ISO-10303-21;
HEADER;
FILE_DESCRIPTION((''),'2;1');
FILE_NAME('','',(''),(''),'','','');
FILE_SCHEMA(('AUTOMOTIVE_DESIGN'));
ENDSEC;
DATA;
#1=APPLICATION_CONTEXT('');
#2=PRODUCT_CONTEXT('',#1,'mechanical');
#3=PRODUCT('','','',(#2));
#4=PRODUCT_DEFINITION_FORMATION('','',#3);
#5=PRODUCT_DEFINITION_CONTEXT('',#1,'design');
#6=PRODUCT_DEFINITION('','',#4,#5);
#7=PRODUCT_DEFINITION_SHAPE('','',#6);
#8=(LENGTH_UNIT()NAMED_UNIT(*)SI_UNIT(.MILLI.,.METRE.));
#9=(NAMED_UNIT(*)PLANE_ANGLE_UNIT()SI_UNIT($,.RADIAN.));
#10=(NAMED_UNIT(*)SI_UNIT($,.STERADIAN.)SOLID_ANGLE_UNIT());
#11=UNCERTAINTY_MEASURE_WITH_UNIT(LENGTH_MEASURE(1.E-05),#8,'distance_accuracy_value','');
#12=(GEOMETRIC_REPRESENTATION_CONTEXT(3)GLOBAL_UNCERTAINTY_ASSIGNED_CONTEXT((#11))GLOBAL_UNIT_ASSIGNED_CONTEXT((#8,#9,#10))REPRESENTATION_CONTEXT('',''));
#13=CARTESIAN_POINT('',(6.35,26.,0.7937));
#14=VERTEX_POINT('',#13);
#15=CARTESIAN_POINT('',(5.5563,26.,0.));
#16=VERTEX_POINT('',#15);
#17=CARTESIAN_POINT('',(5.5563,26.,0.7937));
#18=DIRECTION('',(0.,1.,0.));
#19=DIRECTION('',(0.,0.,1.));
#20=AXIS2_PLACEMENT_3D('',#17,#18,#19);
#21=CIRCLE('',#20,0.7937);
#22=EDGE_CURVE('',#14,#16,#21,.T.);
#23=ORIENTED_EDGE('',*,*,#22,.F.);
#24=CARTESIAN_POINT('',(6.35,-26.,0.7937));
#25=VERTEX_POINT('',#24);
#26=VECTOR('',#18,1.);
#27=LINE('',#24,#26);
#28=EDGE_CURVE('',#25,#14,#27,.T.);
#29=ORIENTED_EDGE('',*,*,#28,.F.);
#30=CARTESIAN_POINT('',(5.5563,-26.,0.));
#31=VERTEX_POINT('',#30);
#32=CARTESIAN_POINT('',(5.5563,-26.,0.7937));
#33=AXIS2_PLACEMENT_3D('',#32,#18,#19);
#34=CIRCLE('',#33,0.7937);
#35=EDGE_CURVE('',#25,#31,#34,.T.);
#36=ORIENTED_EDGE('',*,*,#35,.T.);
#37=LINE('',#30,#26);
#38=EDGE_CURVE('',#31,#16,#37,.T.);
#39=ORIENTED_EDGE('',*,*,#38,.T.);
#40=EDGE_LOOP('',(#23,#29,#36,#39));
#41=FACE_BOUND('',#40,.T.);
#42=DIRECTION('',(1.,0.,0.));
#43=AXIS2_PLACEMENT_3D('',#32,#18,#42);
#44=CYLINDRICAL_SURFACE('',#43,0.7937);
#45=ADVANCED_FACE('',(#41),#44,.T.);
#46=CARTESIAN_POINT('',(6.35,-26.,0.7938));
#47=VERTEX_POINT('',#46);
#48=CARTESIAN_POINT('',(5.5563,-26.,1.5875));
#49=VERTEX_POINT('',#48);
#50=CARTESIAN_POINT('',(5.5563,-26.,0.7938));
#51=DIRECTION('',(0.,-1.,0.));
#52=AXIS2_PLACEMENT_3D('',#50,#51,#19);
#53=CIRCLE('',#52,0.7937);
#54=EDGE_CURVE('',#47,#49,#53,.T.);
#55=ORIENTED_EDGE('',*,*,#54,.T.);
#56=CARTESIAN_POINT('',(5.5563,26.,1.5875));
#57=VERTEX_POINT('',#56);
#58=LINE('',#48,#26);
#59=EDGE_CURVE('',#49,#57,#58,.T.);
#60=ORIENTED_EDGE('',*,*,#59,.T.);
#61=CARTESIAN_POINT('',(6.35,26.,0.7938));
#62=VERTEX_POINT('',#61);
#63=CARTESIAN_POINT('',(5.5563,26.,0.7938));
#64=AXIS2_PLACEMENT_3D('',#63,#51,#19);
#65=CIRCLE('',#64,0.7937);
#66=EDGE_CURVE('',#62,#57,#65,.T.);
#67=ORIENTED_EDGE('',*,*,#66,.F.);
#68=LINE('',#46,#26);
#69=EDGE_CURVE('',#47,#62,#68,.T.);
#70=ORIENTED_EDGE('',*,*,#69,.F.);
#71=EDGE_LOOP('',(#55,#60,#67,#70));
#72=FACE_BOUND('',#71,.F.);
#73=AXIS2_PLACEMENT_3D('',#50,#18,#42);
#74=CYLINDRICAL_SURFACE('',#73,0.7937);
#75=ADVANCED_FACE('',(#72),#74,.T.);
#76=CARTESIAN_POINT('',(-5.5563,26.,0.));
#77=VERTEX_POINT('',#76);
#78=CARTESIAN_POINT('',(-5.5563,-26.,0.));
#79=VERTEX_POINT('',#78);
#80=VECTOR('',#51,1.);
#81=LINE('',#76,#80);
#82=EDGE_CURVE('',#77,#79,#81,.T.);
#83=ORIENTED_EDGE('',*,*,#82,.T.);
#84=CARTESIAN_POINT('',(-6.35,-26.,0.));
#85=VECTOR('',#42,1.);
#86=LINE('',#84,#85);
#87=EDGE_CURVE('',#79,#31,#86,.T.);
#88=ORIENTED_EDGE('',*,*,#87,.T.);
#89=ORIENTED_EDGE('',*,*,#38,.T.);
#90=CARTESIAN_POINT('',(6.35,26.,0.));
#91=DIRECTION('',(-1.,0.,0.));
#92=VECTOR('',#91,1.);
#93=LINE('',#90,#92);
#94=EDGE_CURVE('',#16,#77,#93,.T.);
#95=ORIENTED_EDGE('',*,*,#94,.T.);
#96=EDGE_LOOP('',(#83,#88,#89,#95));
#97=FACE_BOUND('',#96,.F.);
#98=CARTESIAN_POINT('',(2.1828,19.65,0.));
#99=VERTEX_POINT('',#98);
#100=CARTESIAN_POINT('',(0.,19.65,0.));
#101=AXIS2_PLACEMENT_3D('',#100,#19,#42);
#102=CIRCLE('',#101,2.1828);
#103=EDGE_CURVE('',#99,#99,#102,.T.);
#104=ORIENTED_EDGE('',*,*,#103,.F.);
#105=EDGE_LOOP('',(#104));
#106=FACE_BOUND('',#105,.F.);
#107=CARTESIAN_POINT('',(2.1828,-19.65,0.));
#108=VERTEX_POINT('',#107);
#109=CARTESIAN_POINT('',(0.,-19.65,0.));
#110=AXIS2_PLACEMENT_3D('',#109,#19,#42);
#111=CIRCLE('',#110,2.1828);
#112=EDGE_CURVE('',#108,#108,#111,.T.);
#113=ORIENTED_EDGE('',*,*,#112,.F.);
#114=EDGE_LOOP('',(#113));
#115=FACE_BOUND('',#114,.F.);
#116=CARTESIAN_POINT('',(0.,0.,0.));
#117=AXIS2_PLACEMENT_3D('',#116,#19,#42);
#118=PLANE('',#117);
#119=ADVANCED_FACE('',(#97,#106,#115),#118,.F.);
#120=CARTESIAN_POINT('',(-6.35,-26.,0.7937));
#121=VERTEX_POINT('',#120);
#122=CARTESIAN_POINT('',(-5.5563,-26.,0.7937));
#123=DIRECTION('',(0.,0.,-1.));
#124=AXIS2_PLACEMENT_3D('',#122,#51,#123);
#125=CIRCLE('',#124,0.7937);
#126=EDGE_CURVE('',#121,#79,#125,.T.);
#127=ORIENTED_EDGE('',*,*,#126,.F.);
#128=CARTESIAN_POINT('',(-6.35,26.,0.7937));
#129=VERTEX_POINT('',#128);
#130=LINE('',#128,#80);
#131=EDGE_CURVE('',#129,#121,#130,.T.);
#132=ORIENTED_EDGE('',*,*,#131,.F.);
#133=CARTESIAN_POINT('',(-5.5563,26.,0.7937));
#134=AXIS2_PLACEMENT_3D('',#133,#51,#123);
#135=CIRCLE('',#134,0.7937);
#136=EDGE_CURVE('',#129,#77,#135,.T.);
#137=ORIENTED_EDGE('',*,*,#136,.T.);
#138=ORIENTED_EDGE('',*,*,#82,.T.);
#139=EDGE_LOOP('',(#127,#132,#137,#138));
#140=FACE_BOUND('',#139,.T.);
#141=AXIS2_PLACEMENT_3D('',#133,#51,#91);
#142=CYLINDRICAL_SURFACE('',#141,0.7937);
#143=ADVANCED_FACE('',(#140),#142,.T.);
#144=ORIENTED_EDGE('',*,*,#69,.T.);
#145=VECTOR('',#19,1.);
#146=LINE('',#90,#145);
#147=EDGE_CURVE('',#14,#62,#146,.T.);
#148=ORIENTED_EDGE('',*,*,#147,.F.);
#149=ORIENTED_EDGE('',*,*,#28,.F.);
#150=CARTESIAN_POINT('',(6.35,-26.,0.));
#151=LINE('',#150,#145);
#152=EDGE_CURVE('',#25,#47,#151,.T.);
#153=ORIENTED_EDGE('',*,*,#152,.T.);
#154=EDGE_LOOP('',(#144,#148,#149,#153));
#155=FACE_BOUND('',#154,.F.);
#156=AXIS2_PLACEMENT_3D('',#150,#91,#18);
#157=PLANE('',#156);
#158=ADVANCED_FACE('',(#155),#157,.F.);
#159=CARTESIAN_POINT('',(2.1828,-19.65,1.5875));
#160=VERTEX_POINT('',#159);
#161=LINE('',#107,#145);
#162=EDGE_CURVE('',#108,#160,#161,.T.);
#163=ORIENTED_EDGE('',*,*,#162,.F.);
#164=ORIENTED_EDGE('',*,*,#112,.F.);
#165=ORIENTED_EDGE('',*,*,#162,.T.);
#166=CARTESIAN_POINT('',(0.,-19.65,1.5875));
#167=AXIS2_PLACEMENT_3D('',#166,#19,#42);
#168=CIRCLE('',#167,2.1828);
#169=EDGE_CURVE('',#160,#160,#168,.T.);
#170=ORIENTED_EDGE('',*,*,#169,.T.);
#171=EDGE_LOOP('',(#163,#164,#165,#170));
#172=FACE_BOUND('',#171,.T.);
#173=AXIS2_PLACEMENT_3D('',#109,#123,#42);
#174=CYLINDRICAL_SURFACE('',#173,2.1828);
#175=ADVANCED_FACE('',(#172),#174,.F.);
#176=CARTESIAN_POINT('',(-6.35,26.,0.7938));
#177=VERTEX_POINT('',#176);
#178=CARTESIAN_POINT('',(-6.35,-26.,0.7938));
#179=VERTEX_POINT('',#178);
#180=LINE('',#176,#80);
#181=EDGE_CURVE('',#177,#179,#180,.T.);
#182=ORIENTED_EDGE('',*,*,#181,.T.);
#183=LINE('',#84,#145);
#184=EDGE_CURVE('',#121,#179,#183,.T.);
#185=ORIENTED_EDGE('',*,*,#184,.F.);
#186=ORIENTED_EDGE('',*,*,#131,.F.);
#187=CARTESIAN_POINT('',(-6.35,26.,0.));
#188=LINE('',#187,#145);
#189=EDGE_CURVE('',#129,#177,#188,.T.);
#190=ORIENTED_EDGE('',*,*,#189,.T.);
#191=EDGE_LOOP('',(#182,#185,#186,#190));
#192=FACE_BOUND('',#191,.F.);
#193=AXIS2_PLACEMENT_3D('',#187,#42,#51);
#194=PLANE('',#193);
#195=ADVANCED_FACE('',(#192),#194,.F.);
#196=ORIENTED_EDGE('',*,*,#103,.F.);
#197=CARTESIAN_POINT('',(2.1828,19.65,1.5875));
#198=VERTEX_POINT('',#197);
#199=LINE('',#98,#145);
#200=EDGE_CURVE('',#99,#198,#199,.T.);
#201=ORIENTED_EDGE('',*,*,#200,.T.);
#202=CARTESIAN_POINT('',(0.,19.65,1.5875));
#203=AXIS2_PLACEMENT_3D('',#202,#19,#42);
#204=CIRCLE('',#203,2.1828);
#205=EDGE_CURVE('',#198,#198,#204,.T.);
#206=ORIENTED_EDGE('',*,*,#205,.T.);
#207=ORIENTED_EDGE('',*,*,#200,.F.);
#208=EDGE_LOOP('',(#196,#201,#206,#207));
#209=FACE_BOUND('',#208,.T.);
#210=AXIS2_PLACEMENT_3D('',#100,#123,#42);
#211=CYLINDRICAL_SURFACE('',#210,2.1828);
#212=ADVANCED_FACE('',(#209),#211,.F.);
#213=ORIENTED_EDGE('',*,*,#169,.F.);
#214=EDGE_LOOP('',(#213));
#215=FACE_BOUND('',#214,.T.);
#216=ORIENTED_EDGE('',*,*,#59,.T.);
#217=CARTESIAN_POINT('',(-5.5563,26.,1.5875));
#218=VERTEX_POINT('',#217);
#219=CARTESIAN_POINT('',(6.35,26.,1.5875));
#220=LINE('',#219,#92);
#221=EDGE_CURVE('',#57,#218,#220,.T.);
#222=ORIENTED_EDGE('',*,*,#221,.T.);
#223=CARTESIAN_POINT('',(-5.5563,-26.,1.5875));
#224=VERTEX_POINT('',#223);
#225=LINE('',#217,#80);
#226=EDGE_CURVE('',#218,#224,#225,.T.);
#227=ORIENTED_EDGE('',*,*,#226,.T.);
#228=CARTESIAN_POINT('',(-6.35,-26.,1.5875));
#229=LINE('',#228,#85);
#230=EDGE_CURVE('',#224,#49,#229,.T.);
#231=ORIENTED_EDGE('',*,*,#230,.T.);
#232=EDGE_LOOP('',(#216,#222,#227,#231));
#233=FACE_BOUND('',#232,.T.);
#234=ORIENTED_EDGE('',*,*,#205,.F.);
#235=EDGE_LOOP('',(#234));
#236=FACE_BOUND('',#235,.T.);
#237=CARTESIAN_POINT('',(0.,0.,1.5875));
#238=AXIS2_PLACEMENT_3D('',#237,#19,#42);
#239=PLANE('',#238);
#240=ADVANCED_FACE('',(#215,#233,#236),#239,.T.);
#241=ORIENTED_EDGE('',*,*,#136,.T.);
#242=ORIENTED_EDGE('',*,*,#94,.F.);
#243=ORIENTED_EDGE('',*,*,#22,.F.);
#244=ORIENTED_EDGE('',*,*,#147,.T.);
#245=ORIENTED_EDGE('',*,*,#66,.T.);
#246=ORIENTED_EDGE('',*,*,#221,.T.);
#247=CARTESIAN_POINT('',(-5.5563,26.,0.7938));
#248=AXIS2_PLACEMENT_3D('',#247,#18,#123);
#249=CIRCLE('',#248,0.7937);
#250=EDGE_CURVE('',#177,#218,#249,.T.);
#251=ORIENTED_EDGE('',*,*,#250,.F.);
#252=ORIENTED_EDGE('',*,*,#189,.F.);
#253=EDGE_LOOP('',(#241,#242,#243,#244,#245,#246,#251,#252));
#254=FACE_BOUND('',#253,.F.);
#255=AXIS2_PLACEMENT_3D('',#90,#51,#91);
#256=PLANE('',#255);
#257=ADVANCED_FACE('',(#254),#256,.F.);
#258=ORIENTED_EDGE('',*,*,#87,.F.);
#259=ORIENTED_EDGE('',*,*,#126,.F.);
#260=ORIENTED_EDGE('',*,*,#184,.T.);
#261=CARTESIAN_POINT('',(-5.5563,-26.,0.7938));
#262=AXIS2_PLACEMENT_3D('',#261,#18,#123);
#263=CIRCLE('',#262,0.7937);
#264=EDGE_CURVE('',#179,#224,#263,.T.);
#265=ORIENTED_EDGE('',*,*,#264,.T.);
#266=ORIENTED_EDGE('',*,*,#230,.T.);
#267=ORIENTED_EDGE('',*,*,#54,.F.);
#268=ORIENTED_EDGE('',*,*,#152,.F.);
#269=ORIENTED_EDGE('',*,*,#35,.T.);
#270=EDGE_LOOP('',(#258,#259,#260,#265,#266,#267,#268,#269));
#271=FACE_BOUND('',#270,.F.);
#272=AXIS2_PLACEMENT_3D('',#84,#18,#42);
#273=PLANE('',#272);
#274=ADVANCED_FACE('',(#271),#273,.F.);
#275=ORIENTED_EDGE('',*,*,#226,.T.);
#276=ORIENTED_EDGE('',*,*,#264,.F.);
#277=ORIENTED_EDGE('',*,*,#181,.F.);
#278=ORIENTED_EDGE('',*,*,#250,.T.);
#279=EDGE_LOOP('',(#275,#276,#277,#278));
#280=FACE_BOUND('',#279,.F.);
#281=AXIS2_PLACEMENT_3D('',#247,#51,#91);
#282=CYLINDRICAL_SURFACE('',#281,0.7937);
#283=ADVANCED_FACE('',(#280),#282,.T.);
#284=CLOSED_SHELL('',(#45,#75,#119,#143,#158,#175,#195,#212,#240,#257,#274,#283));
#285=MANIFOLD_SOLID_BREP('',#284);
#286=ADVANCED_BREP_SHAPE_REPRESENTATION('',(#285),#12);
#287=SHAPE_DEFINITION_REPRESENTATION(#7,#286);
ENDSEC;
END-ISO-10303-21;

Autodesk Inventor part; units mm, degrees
ref_plane "YZ Plane" through (0, 0, 0) normal (1, 0, 0) x (0, 1, 0)
ref_plane "XZ Plane" through (0, 0, 0) normal (0, 1, 0) x (-1, 0, 0)
ref_plane "XY Plane" through (0, 0, 0) normal (0, 0, 1) x (1, 0, 0)
sketch "Sketch1" plane through (0, 0, 0) normal (0, 0, 1) x (1, 0, 0)
  circle A0 centre (0, 19.65) radius 2.1828
  circle A1 centre (0, -19.65) radius 2.1828
  line L0 (-6.35, -26) -> (6.35, -26)
  line L1 (6.35, -26) -> (6.35, 26)
  line L2 (6.35, 26) -> (-6.35, 26)
  line L3 (-6.35, 26) -> (-6.35, -26)
  line L4 (-6.35, -26) -> (6.35, 26) construction
  line L5 (6.35, -26) -> (-6.35, 26) construction
  point P0 (0, 0)
  dimension "d0" = 4.3656
  dimension "d1" = 4.3656
  dimension "d2" = 19.65
  dimension "d3" = 39.3
  dimension "d4" = 19.65
  dimension "d5" = 12.7
  dimension "d6" = 6.35
extrude "Extrusion1" add sketch "Sketch1" along normal blind 1.5875
fillet "Fillet1" radius 0.7937 4 edges at (-6.35, 0, 0) (-6.35, 0, 1.5875) (6.35, 0, 0) (6.35, 0, 1.5875)
properties part number "Part C"
